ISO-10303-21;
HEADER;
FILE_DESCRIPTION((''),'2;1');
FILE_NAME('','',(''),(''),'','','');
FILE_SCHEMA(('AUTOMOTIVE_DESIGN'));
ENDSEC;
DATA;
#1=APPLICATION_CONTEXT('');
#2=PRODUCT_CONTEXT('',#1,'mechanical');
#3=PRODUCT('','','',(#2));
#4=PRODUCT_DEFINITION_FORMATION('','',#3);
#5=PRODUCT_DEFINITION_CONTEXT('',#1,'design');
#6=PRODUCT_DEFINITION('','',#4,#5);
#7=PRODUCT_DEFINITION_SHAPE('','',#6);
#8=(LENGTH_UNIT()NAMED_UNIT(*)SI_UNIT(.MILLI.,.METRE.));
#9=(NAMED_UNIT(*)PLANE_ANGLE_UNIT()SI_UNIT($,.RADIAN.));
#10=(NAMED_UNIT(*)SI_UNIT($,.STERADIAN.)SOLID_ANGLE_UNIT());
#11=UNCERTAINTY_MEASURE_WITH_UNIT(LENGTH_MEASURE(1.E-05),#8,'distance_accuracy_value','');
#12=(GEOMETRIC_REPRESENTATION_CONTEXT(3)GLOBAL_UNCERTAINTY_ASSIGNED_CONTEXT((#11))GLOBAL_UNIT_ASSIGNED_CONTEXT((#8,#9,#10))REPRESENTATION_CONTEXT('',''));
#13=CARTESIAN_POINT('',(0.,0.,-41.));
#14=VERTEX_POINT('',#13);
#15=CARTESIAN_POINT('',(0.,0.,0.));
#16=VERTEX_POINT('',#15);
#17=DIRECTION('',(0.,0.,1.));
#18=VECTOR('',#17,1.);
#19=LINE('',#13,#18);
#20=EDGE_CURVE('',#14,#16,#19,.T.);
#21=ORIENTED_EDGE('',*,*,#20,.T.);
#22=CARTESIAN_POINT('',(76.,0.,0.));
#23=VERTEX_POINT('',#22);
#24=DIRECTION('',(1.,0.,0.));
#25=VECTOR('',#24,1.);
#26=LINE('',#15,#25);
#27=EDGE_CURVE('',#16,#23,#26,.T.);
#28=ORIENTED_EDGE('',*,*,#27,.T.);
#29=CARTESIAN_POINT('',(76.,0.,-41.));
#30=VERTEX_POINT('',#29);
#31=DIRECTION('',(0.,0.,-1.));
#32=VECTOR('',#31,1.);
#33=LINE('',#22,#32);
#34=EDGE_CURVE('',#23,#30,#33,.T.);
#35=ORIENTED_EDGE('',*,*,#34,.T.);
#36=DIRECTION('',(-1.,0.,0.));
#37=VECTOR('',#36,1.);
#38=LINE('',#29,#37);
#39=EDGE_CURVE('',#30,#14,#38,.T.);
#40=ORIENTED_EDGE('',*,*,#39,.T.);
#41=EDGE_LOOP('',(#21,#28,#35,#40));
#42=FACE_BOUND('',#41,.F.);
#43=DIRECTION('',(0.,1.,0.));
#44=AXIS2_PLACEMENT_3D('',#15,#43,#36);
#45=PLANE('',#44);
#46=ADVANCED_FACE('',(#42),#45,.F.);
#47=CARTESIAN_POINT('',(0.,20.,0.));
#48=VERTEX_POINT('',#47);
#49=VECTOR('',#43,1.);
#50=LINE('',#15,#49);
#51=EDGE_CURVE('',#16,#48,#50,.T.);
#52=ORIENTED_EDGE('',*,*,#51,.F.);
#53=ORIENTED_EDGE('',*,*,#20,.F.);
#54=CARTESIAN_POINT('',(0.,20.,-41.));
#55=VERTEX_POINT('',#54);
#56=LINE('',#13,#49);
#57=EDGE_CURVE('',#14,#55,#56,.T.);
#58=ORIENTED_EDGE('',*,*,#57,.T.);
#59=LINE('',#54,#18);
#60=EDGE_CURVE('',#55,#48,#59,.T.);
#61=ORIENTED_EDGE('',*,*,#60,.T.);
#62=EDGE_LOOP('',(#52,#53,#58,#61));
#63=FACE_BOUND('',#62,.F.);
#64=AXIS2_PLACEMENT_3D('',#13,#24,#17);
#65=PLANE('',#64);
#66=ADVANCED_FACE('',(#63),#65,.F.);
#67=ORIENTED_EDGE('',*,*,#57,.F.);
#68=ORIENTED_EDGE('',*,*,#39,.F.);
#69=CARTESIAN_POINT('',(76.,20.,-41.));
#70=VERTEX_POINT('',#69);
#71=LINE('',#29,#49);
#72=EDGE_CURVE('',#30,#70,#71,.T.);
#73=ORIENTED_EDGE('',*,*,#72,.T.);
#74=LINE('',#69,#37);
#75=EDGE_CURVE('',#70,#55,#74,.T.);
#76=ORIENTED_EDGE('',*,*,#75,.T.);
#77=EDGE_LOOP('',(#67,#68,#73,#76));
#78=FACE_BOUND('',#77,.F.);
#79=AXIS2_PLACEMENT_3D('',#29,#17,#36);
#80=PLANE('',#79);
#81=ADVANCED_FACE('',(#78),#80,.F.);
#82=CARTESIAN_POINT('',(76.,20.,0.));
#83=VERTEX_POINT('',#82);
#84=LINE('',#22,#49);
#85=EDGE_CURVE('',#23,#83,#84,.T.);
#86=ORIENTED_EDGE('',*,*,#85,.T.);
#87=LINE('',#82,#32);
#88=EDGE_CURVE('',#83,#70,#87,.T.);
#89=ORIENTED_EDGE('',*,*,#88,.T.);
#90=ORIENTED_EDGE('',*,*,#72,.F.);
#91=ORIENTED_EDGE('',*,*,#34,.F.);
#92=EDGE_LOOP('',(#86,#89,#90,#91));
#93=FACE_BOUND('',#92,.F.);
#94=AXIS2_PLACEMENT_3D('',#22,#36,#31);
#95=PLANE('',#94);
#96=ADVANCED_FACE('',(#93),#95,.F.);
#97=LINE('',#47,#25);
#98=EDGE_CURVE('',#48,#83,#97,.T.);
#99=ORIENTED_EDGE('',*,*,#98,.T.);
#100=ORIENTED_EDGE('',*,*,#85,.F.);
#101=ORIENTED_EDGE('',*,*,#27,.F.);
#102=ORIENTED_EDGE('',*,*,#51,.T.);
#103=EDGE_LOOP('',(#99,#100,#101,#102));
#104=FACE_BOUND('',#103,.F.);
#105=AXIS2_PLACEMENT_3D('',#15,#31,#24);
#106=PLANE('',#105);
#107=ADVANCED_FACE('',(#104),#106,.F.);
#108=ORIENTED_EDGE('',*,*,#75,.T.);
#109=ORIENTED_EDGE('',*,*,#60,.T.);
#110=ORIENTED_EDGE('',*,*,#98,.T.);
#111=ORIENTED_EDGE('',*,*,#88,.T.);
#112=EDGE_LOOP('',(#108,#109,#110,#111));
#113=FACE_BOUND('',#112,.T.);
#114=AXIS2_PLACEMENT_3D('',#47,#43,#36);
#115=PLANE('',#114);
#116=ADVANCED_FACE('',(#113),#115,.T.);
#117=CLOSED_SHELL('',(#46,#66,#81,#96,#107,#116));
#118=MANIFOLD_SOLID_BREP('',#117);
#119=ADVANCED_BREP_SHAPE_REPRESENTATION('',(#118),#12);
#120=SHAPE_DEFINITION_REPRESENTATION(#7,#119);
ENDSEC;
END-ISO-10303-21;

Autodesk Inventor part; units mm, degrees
ref_plane "YZ Plane" through (0, 0, 0) normal (1, 0, 0) x (0, 1, 0)
ref_plane "XZ Plane" through (0, 0, 0) normal (0, 1, 0) x (-1, 0, 0)
ref_plane "XY Plane" through (0, 0, 0) normal (0, 0, 1) x (1, 0, 0)
sketch "Sketch1" plane through (0, 0, 0) normal (0, 1, 0) x (-1, 0, 0)
  line L0 (0, 0) -> (-76, 0)
  line L1 (-76, 0) -> (-76, -41)
  line L2 (-76, -41) -> (0, -41)
  line L3 (0, -41) -> (0, 0)
  dimension "d0" = 76
  dimension "d1" = 41
extrude "Extrusion1" add sketch "Sketch1" along normal blind 20
properties part number "Baterías"
